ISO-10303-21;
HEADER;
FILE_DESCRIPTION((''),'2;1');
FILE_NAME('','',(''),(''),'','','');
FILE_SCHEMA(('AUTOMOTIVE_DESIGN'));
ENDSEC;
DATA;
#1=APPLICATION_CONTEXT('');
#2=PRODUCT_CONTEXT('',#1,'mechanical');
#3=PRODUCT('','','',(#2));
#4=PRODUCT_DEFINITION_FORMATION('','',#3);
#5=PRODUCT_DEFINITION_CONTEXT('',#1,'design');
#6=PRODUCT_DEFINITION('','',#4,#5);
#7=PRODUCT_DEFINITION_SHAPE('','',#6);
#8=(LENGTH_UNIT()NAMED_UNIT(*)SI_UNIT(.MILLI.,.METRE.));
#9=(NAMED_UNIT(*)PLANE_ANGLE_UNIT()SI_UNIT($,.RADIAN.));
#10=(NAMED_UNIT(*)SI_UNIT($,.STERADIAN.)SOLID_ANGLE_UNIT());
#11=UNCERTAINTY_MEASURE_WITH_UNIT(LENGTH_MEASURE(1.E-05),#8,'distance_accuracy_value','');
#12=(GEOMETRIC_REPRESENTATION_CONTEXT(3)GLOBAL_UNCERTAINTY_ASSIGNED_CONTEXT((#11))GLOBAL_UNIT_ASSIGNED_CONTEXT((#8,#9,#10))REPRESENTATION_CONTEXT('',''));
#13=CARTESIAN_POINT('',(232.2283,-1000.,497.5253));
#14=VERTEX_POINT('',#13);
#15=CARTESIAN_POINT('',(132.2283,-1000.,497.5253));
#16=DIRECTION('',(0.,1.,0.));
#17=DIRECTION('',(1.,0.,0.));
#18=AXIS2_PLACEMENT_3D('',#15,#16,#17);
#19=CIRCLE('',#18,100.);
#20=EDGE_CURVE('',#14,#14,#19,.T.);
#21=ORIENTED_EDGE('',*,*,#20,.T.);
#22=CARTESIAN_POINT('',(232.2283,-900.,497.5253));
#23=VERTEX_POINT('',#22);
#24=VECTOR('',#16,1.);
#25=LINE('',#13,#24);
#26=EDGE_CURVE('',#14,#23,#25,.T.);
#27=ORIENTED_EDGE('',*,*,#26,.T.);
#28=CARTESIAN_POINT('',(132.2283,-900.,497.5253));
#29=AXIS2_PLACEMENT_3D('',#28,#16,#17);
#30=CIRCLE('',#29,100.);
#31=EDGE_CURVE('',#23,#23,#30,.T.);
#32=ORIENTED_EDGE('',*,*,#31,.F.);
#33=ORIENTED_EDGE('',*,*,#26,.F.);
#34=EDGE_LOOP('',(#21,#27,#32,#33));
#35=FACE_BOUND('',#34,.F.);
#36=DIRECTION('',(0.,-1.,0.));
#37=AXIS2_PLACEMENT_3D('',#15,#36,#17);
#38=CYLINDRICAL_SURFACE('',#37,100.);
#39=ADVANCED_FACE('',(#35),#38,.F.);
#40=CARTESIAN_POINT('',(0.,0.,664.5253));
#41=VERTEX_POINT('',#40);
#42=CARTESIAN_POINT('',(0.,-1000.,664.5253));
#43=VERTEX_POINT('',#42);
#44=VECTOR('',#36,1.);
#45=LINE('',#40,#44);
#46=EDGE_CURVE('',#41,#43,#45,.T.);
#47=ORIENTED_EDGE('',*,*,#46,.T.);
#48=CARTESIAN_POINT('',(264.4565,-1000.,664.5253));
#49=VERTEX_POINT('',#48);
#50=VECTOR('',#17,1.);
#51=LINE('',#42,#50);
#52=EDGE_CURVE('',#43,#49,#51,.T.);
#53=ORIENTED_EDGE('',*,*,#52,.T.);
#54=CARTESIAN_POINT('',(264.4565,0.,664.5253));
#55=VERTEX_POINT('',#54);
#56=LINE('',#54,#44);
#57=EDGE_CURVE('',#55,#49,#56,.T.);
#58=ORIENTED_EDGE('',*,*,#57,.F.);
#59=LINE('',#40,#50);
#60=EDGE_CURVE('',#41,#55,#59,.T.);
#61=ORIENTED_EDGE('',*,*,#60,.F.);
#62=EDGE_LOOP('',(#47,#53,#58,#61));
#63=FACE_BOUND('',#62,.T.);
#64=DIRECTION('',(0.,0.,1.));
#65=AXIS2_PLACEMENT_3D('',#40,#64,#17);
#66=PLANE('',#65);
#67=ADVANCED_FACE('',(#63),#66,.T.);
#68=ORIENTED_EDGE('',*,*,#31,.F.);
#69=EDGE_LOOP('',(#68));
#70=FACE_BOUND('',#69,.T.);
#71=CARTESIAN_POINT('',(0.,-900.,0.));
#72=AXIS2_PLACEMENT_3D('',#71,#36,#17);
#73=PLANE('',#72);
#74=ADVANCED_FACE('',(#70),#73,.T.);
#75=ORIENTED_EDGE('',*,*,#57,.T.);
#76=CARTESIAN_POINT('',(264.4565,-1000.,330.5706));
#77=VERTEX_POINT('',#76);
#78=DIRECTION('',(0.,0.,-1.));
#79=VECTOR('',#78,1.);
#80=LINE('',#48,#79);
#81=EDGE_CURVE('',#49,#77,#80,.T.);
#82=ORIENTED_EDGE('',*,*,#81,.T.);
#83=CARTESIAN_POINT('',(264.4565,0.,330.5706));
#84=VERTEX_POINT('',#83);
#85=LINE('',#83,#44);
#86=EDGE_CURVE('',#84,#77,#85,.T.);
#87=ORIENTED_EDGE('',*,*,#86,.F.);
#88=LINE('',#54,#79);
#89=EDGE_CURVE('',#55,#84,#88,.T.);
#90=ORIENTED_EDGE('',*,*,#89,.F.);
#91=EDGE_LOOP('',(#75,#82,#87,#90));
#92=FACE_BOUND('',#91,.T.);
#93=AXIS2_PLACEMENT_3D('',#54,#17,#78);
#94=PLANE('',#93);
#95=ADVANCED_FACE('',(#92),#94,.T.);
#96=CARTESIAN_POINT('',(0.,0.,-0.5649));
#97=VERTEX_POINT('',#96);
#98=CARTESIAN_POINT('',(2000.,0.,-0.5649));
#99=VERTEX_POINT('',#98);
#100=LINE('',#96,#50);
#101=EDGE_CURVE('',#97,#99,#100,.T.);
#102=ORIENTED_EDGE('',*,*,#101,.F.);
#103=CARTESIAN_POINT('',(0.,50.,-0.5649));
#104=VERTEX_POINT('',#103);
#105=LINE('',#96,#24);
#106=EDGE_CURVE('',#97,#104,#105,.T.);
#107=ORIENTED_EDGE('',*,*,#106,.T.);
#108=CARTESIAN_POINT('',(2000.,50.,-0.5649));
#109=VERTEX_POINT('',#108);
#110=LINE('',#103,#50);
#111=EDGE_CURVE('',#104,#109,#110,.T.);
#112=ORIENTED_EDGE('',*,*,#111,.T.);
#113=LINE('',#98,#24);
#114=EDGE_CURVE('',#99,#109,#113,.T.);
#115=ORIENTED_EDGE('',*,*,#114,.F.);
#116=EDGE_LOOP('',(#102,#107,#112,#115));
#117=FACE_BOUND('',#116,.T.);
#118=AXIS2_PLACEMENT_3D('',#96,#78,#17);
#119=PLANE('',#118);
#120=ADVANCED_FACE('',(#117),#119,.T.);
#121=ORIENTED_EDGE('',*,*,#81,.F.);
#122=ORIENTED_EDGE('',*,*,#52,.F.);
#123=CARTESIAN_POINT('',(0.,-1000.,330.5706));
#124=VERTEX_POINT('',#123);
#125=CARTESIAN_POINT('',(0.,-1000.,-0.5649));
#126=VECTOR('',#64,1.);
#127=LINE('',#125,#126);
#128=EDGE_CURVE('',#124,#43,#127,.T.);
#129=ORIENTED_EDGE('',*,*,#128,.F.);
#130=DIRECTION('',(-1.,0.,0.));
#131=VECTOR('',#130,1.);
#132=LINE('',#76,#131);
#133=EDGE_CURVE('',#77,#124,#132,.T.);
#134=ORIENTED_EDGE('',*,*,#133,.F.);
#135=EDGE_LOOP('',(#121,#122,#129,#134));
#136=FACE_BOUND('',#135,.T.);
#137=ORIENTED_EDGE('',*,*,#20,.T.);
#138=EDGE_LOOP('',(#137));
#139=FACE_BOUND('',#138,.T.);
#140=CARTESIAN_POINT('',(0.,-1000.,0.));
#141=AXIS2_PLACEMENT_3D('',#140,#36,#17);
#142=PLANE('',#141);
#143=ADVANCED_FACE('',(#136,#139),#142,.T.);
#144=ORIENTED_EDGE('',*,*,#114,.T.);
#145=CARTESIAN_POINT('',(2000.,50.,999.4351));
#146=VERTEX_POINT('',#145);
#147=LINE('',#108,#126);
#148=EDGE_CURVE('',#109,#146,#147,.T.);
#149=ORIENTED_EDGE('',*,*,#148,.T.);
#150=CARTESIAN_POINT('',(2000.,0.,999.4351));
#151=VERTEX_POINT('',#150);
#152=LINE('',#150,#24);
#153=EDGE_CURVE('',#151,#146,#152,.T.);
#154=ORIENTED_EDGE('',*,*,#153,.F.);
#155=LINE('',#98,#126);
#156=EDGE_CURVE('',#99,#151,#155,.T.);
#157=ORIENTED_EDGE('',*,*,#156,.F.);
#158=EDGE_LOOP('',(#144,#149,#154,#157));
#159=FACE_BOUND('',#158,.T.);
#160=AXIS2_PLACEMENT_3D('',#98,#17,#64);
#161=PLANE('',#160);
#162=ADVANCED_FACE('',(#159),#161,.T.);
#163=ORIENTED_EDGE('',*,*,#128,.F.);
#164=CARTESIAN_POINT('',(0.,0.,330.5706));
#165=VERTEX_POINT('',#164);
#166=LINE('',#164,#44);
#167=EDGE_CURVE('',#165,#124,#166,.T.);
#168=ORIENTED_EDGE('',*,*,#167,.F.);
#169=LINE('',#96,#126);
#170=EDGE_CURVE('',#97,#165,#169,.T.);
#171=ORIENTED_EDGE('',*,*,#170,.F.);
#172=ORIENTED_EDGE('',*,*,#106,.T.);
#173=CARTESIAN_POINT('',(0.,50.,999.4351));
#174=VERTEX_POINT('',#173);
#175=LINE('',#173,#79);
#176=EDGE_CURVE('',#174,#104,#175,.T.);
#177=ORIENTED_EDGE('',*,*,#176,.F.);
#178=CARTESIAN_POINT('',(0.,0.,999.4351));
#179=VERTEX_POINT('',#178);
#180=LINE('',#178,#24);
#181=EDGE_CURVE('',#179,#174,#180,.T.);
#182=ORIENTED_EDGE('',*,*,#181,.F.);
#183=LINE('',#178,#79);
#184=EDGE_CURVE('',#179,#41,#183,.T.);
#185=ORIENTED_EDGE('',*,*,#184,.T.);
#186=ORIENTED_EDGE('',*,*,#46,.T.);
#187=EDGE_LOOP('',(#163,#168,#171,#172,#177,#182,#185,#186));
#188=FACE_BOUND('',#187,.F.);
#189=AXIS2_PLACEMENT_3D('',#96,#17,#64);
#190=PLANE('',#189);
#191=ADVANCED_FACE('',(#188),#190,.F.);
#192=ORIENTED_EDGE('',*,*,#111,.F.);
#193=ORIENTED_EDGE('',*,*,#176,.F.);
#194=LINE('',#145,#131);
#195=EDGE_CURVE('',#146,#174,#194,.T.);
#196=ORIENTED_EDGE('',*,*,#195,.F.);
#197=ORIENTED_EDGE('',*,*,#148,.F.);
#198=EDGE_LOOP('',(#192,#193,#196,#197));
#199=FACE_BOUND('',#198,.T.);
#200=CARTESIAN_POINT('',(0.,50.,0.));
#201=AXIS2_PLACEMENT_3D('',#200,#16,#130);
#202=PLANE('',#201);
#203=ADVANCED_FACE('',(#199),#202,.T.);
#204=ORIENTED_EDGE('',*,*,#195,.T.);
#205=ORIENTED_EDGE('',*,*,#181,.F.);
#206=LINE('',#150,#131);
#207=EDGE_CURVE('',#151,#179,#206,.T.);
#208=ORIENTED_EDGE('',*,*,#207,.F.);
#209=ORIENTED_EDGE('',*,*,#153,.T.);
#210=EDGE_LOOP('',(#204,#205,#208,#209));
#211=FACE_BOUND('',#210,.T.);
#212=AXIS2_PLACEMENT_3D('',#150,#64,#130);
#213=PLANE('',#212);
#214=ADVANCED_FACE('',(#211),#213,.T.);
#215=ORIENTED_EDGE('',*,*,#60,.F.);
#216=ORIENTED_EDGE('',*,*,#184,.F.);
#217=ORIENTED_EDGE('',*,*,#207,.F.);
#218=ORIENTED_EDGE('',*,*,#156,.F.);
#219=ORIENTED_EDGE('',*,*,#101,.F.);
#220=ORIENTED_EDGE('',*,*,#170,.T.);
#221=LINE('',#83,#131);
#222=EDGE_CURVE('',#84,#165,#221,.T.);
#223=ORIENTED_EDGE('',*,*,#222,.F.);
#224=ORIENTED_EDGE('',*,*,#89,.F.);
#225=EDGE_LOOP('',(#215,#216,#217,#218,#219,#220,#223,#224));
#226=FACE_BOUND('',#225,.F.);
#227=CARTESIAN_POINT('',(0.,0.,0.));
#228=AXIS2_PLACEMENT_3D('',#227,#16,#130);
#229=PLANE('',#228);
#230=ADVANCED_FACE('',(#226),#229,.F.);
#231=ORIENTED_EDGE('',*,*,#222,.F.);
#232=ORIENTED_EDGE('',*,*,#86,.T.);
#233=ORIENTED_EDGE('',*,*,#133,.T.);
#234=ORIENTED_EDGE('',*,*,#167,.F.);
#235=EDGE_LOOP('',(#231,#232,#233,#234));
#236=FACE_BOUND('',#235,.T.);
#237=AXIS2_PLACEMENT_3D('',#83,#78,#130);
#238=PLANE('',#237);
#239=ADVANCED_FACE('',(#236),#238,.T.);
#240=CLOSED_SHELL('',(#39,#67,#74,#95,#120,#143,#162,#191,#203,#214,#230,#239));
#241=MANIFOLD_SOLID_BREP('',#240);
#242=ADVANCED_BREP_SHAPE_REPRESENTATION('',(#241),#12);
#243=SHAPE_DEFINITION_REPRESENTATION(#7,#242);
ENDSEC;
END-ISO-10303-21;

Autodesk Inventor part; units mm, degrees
ref_plane "YZ Plane" through (0, 0, 0) normal (1, 0, 0) x (0, 1, 0)
ref_plane "XZ Plane" through (0, 0, 0) normal (0, 1, 0) x (-1, 0, 0)
ref_plane "XY Plane" through (0, 0, 0) normal (0, 0, 1) x (1, 0, 0)
sketch "Sketch1" plane through (0, 0, 0) normal (0, 1, 0) x (-1, 0, 0)
  line L0 (1000, 0) -> (1000, -0.5649)
  line L1 (1000, -0.5649) -> (0, -0.5649)
  line L2 (0, -0.5649) -> (0, 0)
  line L3 (0, -0.5649) -> (-2000, -0.5649)
  line L4 (-2000, -0.5649) -> (-2000, 999.4351)
  line L5 (-2000, 999.4351) -> (0, 999.4351)
  line L6 (0, 999.4351) -> (0, -0.5649)
  dimension "d1" = 2000
  dimension "d2" = 1000
extrude "Extrusion1" add sketch "Sketch1" along normal blind 50
sketch "Sketch2" plane through (0, 0, 0) normal (0, -1, 0) x (1, 0, 0)
  point P0 (0, 0)
sketch "Sketch3" plane through (0, 0, 0) normal (0, -1, 0) x (1, 0, 0)
  line L0 (98.4679, 994.5253) -> (98.4679, 664.5253)
  line L1 (98.4679, 330.5706) -> (98.4679, 0)
  line L2 (0, -0.5649) -> (0, 999.4351) projected
  line L3 (0, 664.5253) -> (264.4565, 664.5253)
  line L4 (264.4565, 664.5253) -> (264.4565, 330.5706)
  line L5 (264.4565, 330.5706) -> (0, 330.5706)
  line L6 (0, 330.5706) -> (0, 664.5253)
  point P0 (0, 0)
  dimension "d5" = 330
extrude "Extrusion2" add sketch "Sketch3" along normal blind 1000
sketch "Sketch4" plane through (0, -1000, 0) normal (0, -1, 0) x (1, 0, 0)
  line L0 (0, 664.5253) -> (264.4565, 664.5253) projected
  line L1 (132.2283, 664.5253) -> (132.2283, 497.5253)
  circle A0 centre (132.2283, 497.5253) radius 100
  point P0 (0, 0)
  dimension "d8" = 167
  dimension "d9" = 200
extrude "Extrusion3" cut sketch "Sketch4" against normal blind 100
sketch "Sketch5" plane through (0, 0, 0) normal (0, -1, 0) x (1, 0, 0)
  point P0 (0, 0)
equation "\"BendRadius\" = Thickness"
equation "\"BendReliefWidth\" = Thickness"
equation "\"BendReliefDepth\" = 0.5 * Thickness"
equation "\"CornerReliefSize\" = 4 * Thickness"
equation "\"MinimumRemnant\" = 2 * Thickness"
equation "\"TransitionRadius\" = BendRadius"
equation "\"JacobiRadiusSize\" = BendRadius"
equation "\"GapSize\" = Thickness"
equation "\"Thickness\" = 3.048"
